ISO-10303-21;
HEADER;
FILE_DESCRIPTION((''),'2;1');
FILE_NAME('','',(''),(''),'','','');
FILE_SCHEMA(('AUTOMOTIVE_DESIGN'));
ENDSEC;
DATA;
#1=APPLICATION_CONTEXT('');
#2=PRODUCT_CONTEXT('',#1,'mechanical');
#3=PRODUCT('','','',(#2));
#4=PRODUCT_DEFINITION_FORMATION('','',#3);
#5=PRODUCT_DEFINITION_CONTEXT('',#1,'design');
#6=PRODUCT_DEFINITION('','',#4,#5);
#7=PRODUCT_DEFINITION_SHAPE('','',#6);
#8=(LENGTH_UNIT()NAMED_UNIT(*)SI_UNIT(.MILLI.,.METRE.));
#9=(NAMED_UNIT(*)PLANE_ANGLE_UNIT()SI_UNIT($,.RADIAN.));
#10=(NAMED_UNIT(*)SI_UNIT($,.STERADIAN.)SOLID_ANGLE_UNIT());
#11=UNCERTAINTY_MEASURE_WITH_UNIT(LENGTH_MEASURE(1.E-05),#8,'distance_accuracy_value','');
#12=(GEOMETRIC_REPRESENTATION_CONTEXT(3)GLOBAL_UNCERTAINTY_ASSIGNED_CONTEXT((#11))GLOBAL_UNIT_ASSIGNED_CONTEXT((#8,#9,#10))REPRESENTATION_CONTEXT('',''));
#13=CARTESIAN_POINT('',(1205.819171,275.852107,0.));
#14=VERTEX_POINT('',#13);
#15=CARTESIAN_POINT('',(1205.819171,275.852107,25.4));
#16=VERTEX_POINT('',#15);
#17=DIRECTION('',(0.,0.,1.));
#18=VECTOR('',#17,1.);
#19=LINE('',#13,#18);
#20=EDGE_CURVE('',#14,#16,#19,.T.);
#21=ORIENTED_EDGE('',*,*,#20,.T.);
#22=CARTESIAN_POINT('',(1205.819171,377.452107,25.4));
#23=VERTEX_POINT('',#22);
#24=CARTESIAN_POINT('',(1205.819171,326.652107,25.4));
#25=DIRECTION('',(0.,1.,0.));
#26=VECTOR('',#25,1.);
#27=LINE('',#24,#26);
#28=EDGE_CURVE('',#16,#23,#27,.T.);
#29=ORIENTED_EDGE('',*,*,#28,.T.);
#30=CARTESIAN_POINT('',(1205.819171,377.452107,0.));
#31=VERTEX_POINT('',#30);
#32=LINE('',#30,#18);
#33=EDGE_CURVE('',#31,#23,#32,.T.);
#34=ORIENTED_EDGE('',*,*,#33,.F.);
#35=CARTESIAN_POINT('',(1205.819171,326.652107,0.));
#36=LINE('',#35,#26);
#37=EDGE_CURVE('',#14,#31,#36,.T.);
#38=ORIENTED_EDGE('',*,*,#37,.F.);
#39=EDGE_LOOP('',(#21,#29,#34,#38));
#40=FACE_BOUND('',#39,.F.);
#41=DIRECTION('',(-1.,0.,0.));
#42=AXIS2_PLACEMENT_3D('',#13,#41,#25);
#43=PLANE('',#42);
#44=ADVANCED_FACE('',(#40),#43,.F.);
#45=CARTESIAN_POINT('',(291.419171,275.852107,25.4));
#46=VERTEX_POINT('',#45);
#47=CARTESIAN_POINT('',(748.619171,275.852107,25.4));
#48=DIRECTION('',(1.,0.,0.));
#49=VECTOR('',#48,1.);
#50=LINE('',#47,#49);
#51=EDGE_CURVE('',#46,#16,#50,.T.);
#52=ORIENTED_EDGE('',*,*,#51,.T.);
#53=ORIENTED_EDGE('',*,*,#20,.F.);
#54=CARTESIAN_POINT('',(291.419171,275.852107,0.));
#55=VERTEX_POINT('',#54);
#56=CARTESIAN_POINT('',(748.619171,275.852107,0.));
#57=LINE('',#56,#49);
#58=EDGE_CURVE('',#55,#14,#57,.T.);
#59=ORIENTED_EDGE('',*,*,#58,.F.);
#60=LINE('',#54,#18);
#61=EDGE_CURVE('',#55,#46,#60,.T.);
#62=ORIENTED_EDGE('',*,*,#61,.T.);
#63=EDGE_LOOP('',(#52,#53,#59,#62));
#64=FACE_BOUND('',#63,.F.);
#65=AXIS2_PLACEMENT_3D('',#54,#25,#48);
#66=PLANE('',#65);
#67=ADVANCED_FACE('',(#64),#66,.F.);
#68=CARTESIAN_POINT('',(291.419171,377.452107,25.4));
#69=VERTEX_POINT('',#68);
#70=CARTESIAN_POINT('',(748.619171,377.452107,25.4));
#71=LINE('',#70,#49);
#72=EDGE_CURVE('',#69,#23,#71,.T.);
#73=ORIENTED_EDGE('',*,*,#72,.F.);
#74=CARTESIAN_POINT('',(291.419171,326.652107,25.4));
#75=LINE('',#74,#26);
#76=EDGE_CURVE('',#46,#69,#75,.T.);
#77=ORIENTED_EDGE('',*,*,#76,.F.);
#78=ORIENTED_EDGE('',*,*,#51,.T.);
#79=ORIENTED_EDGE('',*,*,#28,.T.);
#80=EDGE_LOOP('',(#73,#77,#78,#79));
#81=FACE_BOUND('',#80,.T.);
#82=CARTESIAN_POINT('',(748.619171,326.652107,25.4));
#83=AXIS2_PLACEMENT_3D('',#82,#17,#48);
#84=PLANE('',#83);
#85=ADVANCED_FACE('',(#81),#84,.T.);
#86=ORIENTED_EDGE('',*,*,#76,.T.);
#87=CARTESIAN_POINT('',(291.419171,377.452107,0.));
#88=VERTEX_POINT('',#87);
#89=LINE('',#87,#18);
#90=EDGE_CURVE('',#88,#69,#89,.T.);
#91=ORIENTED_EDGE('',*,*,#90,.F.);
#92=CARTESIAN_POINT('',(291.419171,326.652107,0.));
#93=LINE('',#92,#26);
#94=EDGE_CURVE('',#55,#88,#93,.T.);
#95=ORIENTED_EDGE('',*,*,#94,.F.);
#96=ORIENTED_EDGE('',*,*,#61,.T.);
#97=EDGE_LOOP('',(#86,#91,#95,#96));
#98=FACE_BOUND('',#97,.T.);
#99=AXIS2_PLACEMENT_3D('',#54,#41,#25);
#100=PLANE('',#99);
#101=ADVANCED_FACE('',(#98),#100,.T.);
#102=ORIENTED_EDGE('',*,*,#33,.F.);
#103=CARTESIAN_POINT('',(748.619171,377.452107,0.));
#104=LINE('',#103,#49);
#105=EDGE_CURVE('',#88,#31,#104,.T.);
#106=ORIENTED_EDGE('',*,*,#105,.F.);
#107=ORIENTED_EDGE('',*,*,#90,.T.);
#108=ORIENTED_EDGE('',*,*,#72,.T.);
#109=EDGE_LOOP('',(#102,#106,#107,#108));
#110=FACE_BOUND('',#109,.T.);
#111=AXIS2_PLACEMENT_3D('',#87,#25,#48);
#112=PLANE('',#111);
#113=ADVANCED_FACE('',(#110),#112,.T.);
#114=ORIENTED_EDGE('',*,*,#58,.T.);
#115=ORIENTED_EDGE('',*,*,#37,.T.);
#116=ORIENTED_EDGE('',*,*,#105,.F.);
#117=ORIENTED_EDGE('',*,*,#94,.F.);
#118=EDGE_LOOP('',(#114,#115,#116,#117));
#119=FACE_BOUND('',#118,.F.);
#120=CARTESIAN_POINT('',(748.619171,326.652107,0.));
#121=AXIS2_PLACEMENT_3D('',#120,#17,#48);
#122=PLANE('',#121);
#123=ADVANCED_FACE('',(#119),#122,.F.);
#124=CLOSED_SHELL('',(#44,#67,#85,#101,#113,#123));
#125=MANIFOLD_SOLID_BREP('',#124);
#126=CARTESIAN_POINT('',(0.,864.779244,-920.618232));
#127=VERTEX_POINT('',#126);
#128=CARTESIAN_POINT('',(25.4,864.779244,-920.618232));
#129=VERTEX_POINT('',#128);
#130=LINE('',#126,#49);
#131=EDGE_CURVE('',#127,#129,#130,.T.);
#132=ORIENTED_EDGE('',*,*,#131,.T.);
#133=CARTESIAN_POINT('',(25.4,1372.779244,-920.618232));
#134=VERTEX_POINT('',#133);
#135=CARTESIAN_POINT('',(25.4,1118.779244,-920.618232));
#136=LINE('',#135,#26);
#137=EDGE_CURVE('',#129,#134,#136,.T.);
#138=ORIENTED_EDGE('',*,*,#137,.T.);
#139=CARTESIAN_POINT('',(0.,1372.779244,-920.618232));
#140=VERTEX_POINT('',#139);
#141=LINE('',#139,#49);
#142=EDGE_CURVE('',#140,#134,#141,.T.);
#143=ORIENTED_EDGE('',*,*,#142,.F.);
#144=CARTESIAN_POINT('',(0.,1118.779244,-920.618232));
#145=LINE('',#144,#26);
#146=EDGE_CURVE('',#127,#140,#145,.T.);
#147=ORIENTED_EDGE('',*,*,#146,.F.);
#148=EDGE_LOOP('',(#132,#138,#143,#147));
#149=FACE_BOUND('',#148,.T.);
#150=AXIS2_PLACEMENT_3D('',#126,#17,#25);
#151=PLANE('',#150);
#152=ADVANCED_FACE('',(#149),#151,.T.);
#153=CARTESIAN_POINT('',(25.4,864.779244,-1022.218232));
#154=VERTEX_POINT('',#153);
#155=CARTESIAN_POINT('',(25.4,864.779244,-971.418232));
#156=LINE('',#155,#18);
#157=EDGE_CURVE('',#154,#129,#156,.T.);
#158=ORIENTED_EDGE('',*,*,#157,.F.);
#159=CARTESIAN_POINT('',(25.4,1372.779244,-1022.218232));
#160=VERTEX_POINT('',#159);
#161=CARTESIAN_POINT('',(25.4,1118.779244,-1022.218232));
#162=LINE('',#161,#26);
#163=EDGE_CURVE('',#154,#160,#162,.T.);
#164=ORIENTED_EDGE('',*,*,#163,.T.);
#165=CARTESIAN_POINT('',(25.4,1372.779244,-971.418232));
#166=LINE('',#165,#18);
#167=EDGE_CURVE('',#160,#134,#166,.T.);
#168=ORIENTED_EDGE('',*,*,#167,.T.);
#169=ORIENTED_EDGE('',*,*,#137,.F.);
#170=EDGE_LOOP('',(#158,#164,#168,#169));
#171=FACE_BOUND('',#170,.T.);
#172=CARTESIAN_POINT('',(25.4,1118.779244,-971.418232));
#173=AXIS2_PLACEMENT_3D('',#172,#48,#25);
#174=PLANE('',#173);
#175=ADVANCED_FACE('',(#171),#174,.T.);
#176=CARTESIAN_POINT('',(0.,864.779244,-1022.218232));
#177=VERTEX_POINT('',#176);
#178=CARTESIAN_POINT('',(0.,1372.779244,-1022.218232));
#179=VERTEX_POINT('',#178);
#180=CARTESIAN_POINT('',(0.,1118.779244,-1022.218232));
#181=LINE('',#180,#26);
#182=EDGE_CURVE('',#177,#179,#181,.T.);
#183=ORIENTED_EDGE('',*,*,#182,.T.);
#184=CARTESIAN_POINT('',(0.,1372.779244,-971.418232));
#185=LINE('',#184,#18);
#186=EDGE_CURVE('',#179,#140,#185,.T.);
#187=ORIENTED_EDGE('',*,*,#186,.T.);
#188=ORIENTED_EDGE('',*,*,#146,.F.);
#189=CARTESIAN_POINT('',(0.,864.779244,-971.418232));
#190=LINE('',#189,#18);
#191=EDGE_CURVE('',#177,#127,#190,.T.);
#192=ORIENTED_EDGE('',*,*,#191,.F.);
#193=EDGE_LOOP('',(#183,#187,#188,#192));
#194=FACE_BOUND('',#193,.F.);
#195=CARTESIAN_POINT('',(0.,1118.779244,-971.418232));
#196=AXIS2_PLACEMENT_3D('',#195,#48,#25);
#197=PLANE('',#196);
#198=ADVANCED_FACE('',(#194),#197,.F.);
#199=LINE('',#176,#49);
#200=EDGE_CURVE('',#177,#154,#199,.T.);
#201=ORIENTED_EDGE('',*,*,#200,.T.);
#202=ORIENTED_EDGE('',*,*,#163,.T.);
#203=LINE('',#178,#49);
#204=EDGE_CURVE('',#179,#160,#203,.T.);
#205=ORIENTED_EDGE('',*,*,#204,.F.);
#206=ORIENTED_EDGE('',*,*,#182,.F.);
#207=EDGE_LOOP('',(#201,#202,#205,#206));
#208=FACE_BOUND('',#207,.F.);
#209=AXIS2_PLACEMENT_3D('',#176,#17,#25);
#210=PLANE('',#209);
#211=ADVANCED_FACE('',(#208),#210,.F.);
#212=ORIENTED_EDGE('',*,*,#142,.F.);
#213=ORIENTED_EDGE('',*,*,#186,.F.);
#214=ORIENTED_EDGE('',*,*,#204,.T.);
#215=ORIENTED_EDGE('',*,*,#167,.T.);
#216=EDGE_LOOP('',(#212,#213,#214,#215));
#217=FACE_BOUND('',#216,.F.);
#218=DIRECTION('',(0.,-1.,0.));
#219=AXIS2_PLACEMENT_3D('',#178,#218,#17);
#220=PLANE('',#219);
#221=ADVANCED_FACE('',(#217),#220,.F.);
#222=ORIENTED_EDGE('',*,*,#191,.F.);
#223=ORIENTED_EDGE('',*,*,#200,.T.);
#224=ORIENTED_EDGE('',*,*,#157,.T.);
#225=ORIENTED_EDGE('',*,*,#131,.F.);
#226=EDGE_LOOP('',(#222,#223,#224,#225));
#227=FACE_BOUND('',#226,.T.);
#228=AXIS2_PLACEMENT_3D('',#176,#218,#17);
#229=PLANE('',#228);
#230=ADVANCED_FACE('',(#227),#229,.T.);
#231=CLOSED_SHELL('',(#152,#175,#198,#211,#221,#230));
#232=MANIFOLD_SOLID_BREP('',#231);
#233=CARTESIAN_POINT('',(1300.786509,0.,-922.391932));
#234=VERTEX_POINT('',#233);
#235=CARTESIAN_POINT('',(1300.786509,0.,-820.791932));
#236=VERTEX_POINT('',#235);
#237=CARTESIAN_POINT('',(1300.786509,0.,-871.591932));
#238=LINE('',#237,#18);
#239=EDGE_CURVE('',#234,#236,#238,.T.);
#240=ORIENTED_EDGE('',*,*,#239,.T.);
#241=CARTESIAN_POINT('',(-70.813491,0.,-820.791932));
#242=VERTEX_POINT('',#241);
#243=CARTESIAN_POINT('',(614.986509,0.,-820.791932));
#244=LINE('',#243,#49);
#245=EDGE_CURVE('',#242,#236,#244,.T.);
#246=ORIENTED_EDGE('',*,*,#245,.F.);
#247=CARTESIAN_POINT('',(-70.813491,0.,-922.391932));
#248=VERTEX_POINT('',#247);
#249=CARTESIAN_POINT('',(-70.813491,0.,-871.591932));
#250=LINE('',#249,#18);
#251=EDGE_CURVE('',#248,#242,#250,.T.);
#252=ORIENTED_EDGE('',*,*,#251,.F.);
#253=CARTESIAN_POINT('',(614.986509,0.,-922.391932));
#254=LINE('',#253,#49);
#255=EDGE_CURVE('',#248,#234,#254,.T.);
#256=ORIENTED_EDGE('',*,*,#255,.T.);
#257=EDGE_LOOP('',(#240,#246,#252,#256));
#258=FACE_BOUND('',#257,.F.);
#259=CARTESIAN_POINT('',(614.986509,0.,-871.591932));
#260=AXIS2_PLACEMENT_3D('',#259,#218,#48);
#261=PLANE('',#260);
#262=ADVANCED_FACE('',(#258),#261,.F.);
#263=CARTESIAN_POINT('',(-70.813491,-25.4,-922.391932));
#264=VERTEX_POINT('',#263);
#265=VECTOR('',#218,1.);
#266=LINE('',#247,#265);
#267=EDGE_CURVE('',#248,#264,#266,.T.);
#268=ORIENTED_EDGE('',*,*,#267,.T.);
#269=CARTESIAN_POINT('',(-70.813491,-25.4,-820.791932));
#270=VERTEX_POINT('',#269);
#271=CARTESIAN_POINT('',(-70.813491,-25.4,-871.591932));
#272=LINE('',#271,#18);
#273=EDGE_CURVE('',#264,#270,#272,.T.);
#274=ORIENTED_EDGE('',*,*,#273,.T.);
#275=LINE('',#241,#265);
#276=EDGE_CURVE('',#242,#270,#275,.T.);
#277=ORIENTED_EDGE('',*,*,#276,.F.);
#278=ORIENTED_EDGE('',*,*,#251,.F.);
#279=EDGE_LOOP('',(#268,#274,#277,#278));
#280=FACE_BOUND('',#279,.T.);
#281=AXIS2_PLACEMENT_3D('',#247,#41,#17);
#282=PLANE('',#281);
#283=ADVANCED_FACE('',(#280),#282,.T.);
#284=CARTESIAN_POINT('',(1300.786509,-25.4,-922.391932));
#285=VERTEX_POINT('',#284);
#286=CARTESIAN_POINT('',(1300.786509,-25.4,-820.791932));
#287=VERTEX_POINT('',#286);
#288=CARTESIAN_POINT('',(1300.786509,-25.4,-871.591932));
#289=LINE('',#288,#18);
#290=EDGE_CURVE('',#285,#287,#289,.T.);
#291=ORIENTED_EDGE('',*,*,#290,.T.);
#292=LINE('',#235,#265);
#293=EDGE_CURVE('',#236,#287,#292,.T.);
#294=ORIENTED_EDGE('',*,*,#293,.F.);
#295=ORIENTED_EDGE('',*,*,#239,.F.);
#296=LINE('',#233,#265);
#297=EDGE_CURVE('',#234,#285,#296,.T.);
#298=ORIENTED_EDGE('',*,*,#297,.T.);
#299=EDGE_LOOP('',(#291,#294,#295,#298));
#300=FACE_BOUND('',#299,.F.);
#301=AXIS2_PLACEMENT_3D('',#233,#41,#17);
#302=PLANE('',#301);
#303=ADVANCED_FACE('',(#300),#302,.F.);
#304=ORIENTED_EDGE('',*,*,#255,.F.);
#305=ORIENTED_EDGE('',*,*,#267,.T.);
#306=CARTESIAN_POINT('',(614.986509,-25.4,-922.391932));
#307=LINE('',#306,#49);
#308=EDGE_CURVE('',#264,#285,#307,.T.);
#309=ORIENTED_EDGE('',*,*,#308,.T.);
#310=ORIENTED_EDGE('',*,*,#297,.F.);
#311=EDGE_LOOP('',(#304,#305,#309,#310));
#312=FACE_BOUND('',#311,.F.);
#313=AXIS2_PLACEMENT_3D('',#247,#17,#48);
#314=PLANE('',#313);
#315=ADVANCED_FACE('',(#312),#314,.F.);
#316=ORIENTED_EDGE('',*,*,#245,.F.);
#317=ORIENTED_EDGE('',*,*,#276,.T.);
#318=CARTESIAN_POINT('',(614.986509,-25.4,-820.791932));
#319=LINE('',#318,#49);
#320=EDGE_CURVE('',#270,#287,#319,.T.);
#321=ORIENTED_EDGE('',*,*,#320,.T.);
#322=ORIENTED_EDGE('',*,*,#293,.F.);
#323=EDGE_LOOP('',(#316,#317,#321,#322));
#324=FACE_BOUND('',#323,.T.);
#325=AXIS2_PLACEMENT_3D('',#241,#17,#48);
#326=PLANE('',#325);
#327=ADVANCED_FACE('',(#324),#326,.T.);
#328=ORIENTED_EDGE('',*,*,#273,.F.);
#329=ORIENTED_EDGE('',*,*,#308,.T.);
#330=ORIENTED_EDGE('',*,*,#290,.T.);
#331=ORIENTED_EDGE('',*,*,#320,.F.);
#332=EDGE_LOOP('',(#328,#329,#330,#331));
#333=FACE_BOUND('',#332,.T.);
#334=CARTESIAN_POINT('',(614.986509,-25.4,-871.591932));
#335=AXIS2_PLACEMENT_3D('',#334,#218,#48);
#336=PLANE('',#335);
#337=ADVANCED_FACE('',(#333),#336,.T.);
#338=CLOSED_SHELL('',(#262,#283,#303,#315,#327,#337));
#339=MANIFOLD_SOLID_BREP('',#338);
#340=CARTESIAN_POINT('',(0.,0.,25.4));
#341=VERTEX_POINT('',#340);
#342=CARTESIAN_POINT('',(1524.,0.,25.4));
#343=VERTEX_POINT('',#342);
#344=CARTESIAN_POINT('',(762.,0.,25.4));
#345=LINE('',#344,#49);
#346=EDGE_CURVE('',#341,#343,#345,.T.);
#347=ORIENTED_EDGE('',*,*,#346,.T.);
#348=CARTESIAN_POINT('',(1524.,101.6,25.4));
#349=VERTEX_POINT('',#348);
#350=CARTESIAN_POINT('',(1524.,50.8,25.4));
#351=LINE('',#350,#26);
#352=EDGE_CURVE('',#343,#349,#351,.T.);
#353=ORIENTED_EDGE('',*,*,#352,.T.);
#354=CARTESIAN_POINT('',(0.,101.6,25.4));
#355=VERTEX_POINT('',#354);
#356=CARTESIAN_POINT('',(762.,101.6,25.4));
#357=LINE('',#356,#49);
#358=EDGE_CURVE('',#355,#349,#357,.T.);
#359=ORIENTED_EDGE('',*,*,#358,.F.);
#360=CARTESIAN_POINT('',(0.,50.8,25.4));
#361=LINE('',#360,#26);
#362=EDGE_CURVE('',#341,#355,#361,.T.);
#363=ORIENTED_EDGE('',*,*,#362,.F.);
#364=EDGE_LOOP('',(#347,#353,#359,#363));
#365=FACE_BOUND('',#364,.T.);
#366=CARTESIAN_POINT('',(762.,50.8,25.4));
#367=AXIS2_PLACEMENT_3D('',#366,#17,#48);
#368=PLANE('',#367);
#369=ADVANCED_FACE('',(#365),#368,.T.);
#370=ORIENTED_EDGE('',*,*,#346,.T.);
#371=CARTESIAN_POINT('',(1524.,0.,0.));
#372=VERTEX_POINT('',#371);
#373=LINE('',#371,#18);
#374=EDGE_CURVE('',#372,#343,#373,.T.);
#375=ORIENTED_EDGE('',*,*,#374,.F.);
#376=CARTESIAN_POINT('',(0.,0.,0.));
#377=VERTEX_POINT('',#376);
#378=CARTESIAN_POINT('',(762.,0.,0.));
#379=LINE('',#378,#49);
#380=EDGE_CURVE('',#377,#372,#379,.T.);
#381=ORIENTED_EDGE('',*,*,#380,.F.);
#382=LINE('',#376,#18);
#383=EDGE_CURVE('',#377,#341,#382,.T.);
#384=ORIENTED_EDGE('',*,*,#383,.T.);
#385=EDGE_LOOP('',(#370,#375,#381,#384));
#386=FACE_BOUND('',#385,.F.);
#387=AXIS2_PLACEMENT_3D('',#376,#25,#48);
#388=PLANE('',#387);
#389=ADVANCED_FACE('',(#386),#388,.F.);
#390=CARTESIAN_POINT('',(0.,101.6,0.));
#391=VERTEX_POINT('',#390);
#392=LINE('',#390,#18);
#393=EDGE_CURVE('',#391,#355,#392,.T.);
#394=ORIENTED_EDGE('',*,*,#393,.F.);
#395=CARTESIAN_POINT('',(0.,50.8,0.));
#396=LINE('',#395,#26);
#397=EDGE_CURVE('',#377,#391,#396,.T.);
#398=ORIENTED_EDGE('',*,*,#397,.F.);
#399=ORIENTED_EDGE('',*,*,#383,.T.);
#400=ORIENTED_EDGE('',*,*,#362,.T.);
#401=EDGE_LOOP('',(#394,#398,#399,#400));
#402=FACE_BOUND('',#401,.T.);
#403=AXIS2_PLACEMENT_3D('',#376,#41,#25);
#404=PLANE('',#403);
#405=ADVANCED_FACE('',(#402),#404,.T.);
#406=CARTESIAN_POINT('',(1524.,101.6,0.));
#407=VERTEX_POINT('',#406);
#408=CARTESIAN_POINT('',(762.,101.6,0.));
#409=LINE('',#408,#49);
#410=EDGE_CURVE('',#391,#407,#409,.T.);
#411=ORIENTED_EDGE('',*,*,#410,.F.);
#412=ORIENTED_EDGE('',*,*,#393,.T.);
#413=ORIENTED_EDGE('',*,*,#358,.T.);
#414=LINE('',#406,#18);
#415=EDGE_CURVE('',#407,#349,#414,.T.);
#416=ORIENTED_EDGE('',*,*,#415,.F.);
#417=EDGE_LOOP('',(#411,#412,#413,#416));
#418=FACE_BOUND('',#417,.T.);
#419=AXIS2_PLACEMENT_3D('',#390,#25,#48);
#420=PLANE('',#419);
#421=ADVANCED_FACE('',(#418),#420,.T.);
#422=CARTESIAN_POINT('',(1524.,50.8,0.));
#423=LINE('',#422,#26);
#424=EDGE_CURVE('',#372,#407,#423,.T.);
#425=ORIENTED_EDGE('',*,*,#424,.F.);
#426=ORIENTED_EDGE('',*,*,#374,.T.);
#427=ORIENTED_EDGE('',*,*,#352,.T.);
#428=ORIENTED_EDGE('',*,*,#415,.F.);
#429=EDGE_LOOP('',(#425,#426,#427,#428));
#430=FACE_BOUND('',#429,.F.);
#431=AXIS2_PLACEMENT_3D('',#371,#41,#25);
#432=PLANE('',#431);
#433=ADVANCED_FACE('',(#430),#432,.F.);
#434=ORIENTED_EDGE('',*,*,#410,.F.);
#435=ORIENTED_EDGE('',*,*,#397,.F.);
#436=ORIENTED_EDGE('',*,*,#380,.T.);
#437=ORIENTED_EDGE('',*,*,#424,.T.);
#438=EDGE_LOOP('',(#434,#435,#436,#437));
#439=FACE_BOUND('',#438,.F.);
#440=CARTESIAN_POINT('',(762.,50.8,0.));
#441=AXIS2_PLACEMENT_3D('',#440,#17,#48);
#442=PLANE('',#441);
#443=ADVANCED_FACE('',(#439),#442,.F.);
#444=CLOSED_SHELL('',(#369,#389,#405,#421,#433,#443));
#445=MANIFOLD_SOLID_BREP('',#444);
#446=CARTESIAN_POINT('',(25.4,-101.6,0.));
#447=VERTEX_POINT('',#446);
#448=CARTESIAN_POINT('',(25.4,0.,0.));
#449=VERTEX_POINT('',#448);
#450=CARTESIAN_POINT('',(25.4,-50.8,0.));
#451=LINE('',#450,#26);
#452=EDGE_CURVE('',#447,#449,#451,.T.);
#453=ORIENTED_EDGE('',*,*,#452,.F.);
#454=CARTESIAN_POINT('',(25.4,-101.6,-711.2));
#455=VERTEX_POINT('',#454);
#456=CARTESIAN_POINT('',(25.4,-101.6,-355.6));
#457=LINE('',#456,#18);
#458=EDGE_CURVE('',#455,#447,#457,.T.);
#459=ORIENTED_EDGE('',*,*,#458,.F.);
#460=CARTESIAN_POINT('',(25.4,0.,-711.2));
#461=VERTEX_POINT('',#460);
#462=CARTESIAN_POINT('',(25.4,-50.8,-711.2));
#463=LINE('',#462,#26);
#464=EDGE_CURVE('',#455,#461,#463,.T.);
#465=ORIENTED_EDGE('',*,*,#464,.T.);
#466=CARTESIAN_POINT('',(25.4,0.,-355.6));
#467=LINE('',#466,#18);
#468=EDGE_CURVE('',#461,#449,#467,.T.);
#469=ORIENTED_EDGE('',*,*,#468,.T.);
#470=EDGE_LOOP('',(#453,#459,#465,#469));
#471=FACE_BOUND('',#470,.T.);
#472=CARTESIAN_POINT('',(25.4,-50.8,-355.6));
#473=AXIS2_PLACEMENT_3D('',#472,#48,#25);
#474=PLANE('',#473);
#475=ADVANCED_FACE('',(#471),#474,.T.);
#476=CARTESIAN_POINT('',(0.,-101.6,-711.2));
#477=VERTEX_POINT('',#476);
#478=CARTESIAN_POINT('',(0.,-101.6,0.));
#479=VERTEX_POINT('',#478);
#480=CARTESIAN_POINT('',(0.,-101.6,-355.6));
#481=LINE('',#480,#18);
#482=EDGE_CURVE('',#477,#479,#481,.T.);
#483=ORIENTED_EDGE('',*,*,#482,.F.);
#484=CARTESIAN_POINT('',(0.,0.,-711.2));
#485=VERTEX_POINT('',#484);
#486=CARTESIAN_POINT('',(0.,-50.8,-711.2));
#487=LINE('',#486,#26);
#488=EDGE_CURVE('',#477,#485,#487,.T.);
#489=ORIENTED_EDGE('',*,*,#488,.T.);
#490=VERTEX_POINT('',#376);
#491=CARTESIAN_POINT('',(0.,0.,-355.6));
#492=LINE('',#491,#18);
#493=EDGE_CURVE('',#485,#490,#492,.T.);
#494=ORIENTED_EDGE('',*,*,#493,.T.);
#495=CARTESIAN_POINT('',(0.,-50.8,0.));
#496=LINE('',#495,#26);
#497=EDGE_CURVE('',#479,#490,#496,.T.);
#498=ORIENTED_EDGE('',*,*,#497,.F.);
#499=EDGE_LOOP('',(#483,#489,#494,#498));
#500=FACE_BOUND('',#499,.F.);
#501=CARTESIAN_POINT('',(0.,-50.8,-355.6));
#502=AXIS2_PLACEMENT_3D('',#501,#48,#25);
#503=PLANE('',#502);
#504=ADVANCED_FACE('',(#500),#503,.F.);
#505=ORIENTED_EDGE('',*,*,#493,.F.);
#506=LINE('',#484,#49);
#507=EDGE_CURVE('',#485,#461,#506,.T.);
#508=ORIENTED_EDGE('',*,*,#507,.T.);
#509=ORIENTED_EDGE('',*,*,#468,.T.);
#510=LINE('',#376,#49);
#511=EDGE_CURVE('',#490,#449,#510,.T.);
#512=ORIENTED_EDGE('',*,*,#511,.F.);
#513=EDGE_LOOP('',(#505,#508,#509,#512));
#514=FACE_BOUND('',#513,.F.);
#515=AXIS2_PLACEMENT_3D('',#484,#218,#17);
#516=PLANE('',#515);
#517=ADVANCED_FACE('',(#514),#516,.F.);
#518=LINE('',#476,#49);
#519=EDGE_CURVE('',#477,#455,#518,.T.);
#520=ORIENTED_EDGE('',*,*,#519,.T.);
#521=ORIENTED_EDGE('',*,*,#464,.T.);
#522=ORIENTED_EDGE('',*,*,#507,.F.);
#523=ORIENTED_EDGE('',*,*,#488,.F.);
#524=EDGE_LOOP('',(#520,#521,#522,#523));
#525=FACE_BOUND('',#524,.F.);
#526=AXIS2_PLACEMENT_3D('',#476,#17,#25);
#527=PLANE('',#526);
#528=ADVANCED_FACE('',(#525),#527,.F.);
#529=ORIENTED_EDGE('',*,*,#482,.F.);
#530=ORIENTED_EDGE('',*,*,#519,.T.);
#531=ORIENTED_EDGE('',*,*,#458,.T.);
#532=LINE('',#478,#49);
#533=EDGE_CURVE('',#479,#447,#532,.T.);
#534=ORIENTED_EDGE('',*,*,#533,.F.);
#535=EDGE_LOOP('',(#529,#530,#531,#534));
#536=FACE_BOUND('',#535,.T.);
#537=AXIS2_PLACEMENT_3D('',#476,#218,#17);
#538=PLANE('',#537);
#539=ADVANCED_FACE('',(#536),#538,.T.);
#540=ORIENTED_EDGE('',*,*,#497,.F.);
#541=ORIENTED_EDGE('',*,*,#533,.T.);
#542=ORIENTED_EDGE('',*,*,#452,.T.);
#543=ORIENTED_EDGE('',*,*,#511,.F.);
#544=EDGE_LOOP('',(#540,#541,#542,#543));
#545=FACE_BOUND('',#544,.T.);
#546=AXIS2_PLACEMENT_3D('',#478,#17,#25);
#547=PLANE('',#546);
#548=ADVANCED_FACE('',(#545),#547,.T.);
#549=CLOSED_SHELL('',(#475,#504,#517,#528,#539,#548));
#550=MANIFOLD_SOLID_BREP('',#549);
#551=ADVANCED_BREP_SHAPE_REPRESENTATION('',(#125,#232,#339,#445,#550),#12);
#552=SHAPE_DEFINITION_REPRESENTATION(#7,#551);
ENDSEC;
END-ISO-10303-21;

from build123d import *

# Parameters (mm, degrees)
F0_W     = 1524
F0_H     = 101.6
F1_DEPTH = 25.4
F2_W     = 101.6
F2_H     = 711.2
F3_DEPTH = 25.4
F4_W     = 914.4
F4_H     = 101.6
F5_DEPTH = 25.4
F6_W     = 508
F6_H     = 101.6
F7_DEPTH = 25.4
F8_W     = 1371.6
F8_H     = 101.6
F9_DEPTH = 25.4


with BuildPart() as f1:
    # F0 (on Top) → F1 (new body)
    with BuildSketch(Plane.XY):
        with Locations((762, 50.8)):
            Rectangle(F0_W, F0_H)
    extrude(amount=F1_DEPTH)


with BuildPart() as f3:
    # F2 (on Right) → F3 (new body)
    with BuildSketch(Plane.YZ):
        with Locations((-50.8, -355.6)):
            Rectangle(F2_W, F2_H)
    extrude(amount=F3_DEPTH)


with BuildPart() as f5:
    # F4 (on Top) → F5 (new body)
    with BuildSketch(Plane.XY):
        with Locations((748.619171, 326.652107)):
            Rectangle(F4_W, F4_H)
    extrude(amount=F5_DEPTH)


with BuildPart() as f7:
    # F6 (on Right) → F7 (new body)
    with BuildSketch(Plane.YZ):
        with Locations((1118.779244, -971.418232)):
            Rectangle(F6_W, F6_H)
    extrude(amount=F7_DEPTH)


with BuildPart() as f9:
    # F8 (on Front) → F9 (new body)
    with BuildSketch(Plane.XZ):
        with Locations((614.986509, -871.591932)):
            Rectangle(F8_W, F8_H)
    extrude(amount=F9_DEPTH)


solid = Compound([f1.part, f3.part, f5.part, f7.part, f9.part])
